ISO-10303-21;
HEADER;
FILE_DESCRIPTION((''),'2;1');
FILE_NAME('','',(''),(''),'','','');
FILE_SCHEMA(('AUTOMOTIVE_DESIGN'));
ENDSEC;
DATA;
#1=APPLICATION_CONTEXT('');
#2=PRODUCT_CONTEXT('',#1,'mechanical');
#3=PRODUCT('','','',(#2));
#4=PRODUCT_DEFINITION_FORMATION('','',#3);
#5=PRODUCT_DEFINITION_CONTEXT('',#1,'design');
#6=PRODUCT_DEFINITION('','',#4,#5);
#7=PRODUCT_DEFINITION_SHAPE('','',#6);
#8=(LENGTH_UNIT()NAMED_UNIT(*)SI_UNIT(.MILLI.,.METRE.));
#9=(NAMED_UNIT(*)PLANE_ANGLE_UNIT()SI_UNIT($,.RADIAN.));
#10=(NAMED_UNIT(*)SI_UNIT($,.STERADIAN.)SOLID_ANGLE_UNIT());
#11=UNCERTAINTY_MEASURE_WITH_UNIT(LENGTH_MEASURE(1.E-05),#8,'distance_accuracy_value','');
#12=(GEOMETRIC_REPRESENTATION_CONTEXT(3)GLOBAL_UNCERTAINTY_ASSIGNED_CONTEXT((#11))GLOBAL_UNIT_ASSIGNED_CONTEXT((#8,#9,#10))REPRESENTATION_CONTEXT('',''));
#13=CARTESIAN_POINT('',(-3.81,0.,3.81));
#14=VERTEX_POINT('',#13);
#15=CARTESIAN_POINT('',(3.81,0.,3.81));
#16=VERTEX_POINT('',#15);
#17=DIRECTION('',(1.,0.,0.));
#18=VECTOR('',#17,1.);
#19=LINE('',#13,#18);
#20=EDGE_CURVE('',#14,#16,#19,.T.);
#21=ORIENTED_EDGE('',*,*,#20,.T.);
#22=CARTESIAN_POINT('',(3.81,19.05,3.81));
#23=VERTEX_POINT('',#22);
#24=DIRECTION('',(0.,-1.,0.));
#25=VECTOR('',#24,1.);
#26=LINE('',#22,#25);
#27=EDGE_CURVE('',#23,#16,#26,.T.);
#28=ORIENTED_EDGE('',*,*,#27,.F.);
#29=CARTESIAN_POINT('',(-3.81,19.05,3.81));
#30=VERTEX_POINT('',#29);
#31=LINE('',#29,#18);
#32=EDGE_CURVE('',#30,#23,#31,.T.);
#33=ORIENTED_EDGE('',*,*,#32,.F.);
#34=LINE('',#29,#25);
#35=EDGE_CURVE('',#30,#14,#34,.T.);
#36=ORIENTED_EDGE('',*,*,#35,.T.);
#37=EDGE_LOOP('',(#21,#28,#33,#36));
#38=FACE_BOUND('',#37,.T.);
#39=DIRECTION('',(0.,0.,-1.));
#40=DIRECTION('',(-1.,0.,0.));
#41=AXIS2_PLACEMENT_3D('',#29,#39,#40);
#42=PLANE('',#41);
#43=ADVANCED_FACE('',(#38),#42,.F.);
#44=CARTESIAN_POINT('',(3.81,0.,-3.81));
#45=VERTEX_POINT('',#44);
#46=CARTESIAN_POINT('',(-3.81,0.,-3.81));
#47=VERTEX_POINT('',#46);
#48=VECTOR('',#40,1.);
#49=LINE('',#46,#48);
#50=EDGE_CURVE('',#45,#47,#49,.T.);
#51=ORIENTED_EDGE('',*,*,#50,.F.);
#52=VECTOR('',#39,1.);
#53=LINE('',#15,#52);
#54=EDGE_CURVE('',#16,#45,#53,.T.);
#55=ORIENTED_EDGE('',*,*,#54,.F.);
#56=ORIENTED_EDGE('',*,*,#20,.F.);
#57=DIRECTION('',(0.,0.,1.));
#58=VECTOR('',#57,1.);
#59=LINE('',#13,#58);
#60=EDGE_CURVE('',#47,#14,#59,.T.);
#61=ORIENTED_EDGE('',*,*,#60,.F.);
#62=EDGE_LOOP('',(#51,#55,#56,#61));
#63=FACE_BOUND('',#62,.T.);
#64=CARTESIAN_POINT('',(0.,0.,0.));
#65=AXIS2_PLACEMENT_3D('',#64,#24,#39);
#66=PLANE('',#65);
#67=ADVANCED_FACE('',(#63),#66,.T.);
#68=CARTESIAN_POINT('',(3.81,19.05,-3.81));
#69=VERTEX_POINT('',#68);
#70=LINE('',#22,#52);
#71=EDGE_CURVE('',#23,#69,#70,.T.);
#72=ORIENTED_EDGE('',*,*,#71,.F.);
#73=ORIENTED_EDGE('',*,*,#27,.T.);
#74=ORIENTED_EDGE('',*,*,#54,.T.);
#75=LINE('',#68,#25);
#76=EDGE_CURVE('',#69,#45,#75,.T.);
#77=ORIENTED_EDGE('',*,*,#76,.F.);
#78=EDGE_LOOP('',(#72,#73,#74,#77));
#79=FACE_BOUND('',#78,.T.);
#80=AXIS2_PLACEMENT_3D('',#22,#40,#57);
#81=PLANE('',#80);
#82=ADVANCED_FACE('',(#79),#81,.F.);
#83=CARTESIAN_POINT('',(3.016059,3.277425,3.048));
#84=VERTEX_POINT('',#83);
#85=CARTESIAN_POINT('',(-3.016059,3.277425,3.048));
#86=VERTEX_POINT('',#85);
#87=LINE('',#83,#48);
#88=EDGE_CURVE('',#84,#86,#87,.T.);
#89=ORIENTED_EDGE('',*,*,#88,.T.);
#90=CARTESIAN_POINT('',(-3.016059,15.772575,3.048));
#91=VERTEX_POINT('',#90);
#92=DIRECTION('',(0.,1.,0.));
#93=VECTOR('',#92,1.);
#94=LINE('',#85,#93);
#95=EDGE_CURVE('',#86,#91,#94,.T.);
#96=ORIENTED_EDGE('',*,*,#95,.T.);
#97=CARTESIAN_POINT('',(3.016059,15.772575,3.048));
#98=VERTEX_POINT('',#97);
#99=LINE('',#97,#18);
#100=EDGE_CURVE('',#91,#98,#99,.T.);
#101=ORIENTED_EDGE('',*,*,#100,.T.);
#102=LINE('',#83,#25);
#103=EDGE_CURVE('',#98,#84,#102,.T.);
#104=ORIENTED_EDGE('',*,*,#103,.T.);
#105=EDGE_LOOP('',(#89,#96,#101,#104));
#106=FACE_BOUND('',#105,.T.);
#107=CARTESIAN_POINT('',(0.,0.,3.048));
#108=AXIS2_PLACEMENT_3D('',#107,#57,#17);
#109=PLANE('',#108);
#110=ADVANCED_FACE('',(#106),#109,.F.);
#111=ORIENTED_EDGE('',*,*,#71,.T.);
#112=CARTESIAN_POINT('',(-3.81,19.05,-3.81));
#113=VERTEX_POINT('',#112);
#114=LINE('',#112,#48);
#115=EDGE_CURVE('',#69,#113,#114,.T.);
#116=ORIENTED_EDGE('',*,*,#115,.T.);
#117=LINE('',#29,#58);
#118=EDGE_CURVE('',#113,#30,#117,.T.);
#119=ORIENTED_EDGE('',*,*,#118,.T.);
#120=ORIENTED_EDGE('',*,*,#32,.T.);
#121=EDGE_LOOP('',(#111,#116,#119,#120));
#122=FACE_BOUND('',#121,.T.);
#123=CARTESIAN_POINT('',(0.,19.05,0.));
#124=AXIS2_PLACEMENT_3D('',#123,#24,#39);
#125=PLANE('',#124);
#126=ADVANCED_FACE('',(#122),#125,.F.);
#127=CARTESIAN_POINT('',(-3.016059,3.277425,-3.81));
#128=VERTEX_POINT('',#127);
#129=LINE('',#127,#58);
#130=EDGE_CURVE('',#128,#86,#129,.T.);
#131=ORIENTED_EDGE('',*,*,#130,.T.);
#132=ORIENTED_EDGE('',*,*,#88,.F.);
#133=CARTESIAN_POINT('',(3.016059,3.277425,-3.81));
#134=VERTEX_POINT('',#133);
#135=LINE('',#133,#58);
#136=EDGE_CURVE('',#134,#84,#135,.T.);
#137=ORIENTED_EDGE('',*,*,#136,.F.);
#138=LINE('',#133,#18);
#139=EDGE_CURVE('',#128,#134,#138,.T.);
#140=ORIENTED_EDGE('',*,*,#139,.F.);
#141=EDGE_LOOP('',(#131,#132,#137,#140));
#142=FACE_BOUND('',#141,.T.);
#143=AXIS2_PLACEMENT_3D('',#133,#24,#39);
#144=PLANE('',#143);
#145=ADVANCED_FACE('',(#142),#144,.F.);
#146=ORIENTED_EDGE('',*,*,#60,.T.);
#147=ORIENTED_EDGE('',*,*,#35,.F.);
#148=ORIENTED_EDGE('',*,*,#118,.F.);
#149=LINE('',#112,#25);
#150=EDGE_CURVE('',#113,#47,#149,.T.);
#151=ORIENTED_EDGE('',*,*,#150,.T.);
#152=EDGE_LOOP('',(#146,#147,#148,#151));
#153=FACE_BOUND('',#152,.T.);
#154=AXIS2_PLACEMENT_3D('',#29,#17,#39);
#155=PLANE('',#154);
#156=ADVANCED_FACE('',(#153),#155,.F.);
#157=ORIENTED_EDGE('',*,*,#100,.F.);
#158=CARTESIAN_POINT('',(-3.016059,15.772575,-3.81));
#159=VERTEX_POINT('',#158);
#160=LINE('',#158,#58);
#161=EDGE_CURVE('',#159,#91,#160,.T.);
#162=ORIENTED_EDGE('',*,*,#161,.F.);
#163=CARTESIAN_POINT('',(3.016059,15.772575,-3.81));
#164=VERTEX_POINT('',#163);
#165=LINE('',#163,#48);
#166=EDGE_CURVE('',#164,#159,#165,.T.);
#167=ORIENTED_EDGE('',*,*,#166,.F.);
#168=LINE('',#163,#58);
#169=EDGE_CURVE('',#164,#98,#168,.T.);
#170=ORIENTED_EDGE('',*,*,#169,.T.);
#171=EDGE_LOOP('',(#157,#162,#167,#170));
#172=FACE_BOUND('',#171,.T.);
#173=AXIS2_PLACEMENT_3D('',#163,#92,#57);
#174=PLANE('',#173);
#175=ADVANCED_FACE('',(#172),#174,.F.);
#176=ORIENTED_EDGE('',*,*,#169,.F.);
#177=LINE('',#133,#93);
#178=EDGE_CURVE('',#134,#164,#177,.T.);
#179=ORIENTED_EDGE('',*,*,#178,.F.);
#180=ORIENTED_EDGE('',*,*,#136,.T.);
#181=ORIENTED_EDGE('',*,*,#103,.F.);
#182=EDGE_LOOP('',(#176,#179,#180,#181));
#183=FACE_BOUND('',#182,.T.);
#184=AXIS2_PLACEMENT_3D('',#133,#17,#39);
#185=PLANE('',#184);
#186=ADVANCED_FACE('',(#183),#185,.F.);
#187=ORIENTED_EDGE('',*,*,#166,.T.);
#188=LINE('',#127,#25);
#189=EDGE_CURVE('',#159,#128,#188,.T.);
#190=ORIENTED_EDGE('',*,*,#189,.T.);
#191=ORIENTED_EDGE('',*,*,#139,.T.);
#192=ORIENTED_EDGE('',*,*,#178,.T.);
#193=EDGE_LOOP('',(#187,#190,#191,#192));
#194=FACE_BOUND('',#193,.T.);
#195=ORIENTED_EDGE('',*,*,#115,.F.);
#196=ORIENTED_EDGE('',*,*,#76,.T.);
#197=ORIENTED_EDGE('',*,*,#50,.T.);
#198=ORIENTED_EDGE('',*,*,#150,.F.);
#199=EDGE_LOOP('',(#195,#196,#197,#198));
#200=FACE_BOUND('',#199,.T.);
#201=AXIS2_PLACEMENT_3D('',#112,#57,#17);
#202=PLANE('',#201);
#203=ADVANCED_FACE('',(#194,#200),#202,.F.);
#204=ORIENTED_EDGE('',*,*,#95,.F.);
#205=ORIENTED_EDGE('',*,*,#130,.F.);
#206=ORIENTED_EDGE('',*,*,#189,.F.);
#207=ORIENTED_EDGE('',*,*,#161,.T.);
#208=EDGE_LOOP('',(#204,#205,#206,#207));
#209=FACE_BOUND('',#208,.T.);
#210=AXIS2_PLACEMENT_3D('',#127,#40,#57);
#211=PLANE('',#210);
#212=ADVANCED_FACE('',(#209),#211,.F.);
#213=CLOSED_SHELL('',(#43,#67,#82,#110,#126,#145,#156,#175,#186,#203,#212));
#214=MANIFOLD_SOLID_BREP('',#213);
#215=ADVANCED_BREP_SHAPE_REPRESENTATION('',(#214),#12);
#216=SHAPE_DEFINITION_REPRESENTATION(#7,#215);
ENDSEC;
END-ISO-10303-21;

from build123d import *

# Parameters (mm, degrees)
SKETCH1_W           = 7.62
SKETCH1_H           = 7.62
BOSS_EXTRUDE1_DEPTH = 19.05
SKETCH2_W           = 6.032118198
SKETCH2_H           = 12.495149586
CUT_EXTRUDE1_DEPTH  = 8.62
SKETCH4_W           = 7.62
SKETCH4_H           = 19.05
BOSS_EXTRUDE3_DEPTH = 0.762


with BuildPart() as part:
    # Sketch1 → Boss-Extrude1 (new body)
    with BuildSketch(Plane(origin=(0, 0, 0), x_dir=(1, 0, 0), z_dir=(0, 1, 0))):
        Rectangle(SKETCH1_W, SKETCH1_H)
    extrude(amount=BOSS_EXTRUDE1_DEPTH)

    # Sketch2 → Cut-Extrude1 (cut, through all)
    with BuildSketch(Plane.XY.offset(3.81)):
        with Locations((0, 9.525)):
            Rectangle(SKETCH2_W, SKETCH2_H)
    extrude(amount=-CUT_EXTRUDE1_DEPTH, mode=Mode.SUBTRACT)

    # Sketch4 → Boss-Extrude3 (add)
    with BuildSketch(Plane.XY.offset(3.81)):
        with Locations((0, 9.525)):
            Rectangle(SKETCH4_W, SKETCH4_H)
    extrude(amount=-BOSS_EXTRUDE3_DEPTH)


solid = part.part
